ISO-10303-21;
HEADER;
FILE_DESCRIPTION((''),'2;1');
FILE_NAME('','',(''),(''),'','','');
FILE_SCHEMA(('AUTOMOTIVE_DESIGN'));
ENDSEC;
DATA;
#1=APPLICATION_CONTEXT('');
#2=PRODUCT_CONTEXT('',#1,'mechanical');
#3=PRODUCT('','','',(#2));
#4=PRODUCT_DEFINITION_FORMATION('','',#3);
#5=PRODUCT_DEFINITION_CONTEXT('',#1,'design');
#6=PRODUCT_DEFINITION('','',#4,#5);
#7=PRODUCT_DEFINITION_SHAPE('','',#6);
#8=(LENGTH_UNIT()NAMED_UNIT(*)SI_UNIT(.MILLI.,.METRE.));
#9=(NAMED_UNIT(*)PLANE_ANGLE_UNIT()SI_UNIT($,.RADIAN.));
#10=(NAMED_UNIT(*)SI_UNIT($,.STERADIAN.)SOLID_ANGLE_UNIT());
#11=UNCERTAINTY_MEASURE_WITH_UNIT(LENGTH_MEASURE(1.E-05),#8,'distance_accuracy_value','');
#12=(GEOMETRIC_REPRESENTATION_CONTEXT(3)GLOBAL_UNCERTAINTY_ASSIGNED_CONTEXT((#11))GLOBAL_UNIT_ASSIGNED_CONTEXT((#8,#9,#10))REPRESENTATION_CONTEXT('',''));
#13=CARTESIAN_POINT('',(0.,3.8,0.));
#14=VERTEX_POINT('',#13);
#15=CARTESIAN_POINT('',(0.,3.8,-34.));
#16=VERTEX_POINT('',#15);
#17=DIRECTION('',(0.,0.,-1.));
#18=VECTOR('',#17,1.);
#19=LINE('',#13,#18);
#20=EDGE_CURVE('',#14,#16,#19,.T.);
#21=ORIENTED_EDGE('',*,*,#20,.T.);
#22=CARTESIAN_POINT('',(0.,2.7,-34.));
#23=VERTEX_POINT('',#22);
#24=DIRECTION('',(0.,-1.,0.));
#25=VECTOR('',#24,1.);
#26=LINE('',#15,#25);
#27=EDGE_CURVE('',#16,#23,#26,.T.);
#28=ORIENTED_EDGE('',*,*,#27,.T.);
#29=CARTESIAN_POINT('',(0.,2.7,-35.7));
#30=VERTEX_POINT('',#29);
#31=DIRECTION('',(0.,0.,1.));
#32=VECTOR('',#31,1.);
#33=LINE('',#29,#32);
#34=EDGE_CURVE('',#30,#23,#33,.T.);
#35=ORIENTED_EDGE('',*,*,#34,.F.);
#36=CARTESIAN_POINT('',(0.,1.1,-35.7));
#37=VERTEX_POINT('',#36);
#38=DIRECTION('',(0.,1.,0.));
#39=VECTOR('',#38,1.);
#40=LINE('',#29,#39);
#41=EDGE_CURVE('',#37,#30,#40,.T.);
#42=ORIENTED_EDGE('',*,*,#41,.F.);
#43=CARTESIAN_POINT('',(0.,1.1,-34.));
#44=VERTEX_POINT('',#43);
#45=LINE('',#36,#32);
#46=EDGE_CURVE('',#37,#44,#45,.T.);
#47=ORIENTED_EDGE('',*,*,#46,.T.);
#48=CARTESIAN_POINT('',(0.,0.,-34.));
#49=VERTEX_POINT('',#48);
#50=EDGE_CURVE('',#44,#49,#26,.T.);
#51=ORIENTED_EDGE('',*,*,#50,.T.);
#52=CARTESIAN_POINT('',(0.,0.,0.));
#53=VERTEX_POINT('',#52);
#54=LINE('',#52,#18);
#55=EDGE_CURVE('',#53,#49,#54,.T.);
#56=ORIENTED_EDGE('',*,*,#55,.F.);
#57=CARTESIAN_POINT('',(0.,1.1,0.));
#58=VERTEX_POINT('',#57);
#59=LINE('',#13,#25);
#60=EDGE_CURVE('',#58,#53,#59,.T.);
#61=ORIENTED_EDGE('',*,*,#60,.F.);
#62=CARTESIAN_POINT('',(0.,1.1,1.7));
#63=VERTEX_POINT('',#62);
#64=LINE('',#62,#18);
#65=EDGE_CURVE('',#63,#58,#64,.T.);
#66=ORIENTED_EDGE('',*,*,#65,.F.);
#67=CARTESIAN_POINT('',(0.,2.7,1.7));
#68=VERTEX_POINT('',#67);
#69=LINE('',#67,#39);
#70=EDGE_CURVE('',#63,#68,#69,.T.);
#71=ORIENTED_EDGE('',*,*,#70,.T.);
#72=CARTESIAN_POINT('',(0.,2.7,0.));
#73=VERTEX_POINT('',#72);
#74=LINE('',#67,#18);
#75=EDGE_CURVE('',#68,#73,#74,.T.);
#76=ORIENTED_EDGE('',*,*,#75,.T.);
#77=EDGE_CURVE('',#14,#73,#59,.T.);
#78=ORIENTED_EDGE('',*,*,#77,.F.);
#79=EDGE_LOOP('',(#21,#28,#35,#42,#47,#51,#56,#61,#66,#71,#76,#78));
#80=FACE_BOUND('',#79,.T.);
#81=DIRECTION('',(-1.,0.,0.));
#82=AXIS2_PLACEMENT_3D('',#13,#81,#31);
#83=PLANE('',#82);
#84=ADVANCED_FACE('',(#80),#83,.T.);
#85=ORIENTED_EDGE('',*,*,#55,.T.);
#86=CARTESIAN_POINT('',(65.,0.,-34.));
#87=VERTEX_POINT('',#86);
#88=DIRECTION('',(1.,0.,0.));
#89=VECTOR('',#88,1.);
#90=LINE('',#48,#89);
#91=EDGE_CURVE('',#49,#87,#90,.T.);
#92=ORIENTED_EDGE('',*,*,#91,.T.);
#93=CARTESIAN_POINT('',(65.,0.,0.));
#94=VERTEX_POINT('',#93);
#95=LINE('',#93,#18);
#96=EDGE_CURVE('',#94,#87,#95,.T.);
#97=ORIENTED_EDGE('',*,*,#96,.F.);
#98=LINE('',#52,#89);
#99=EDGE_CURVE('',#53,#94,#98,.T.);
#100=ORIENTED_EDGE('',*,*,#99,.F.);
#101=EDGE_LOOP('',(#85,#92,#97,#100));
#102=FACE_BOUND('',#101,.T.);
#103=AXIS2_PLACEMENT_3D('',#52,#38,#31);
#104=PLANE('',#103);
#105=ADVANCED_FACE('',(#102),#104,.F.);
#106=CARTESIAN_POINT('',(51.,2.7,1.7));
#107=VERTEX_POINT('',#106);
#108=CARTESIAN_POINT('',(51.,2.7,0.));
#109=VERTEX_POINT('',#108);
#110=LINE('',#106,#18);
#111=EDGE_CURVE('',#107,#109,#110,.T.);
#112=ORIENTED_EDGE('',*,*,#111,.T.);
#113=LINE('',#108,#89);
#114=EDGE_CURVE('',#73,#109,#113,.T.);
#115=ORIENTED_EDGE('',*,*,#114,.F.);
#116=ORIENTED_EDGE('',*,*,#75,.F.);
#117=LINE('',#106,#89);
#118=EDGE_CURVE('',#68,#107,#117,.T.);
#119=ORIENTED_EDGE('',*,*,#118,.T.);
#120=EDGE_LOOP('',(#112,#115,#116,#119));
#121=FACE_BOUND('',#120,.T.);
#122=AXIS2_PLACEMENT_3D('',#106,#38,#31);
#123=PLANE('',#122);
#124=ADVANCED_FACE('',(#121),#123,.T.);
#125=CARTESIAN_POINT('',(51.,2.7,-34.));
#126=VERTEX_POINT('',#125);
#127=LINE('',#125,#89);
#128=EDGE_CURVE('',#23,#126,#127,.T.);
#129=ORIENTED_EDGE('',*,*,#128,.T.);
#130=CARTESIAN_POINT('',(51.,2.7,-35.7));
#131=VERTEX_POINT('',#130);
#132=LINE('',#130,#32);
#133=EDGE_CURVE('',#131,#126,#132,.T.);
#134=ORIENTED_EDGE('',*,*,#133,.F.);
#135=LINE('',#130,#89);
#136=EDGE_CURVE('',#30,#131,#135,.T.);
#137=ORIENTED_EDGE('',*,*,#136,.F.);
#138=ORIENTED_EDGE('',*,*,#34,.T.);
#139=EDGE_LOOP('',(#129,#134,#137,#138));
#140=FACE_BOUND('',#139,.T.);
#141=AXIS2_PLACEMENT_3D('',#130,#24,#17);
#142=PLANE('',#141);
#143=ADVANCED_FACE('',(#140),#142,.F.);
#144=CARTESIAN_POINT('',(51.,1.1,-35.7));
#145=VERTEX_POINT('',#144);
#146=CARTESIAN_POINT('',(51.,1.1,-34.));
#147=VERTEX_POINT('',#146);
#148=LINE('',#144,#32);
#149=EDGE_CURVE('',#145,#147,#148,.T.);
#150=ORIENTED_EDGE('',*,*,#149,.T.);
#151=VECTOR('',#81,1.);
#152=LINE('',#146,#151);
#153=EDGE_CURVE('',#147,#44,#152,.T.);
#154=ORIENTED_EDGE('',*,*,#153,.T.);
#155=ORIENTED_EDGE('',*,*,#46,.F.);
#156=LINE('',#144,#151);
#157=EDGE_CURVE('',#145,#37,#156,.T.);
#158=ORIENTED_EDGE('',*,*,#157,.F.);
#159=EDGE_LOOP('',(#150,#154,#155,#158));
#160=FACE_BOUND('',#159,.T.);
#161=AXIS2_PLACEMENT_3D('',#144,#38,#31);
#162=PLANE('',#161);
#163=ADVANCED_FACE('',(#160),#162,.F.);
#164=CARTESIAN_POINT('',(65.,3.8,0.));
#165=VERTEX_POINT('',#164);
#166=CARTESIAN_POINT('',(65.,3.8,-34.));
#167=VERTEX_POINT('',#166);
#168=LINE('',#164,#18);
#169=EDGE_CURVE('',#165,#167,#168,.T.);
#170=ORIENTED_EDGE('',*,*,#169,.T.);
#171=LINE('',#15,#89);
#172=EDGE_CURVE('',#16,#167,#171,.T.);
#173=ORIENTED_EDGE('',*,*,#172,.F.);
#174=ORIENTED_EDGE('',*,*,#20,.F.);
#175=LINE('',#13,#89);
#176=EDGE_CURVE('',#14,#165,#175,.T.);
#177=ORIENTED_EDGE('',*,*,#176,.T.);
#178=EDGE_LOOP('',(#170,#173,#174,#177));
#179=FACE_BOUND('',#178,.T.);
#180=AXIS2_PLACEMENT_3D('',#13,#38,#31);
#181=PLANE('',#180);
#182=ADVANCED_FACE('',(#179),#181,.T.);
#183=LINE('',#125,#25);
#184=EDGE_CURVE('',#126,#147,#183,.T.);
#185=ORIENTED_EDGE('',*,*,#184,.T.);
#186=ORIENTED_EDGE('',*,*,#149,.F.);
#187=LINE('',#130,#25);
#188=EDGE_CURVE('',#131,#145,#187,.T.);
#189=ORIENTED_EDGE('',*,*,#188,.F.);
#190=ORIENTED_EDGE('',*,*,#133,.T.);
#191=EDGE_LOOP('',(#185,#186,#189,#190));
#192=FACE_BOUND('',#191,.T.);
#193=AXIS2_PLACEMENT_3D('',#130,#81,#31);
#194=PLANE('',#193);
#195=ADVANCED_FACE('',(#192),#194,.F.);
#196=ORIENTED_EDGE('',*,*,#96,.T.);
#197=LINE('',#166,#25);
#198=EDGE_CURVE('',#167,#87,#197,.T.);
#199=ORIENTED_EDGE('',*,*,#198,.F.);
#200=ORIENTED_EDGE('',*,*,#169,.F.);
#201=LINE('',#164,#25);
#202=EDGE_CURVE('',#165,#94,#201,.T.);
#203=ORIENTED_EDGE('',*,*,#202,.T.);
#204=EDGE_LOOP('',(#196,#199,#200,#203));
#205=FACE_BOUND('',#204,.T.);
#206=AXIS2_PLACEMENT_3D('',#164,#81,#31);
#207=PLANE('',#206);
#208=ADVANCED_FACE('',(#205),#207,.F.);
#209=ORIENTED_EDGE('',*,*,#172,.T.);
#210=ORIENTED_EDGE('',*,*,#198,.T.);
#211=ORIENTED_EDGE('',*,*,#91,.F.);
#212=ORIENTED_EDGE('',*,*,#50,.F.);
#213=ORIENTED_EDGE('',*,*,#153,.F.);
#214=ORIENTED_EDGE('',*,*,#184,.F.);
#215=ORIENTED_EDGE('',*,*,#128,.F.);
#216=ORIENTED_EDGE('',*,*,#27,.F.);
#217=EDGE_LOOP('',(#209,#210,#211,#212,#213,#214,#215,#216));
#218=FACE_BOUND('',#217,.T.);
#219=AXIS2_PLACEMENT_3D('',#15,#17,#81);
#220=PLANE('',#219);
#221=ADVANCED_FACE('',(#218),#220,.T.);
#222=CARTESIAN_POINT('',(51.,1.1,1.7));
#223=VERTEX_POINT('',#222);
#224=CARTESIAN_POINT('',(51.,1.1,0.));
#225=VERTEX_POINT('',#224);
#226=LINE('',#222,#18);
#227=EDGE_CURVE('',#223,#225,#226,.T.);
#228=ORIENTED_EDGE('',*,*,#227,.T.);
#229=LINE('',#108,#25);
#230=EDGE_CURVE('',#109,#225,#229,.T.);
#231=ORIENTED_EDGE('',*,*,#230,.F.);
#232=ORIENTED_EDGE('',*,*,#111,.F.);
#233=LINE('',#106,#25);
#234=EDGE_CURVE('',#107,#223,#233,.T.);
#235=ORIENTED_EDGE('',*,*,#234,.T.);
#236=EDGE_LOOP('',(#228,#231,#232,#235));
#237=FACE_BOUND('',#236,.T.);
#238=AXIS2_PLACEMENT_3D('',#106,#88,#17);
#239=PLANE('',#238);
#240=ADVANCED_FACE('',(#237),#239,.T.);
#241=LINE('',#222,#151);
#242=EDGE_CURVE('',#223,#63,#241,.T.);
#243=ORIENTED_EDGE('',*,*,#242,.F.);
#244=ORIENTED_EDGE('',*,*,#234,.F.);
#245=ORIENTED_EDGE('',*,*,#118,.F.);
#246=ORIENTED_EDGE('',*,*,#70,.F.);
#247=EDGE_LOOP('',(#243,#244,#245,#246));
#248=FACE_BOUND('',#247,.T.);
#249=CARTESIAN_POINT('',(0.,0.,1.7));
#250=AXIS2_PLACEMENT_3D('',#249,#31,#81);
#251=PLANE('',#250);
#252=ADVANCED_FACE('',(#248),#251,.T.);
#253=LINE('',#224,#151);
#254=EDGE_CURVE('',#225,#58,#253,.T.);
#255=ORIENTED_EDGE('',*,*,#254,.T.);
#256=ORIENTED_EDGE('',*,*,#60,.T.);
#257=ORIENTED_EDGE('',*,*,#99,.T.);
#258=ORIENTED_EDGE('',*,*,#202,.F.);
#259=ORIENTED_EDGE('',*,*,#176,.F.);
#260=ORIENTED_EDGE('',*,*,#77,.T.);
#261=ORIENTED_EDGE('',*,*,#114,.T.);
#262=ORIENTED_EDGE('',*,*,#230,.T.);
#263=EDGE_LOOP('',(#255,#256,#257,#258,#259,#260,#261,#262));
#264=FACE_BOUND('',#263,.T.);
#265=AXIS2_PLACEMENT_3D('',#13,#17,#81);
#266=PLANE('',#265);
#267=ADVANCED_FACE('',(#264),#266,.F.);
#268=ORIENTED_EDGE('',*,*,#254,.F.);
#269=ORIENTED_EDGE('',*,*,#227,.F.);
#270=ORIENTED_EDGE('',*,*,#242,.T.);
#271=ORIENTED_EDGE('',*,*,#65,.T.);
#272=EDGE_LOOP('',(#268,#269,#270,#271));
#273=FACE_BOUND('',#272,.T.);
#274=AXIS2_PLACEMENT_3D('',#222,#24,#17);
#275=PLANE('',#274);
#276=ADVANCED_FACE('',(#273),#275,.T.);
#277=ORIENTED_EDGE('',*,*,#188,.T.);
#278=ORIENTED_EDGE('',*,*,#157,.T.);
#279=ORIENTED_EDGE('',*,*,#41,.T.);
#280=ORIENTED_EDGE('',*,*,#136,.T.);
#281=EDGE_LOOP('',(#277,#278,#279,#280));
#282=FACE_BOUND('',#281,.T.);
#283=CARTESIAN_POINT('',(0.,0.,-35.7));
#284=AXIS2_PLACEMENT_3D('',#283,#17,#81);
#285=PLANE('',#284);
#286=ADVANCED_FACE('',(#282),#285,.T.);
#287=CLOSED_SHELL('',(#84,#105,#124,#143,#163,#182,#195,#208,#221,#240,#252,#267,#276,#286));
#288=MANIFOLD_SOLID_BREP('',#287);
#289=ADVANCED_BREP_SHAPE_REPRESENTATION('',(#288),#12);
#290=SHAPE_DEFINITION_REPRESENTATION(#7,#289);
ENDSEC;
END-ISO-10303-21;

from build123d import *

# Parameters (mm, degrees)
SKETCH_1_W      = 65
SKETCH_1_H      = 34
EXTRUDE_1_DEPTH = 3.8
SKETCH_2_W      = 51
SKETCH_2_H      = 1.6
EXTRUDE_2_DEPTH = 1.7


with BuildPart() as part:
    # 草图1 → 凸台-拉伸1 (new body)
    with BuildSketch(Plane(origin=(0, 0, 0), x_dir=(1, 0, 0), z_dir=(0, 1, 0))):
        with Locations((32.5, 17)):
            Rectangle(SKETCH_1_W, SKETCH_1_H)
    extrude(amount=EXTRUDE_1_DEPTH)

    # 草图2 → 凸台-拉伸2 (add)
    with BuildSketch(Plane(origin=(0, 0, -34), x_dir=(-1, 0, 0), z_dir=(0, 0, -1))):
        with Locations((-25.5, 1.9)):
            Rectangle(SKETCH_2_W, SKETCH_2_H)
    extrude_2 = extrude(amount=EXTRUDE_2_DEPTH)

    # 镜向1: 凸台-拉伸2 across plane
    add(extrude_2.mirror(Plane.XY.offset(-17)))


solid = part.part
